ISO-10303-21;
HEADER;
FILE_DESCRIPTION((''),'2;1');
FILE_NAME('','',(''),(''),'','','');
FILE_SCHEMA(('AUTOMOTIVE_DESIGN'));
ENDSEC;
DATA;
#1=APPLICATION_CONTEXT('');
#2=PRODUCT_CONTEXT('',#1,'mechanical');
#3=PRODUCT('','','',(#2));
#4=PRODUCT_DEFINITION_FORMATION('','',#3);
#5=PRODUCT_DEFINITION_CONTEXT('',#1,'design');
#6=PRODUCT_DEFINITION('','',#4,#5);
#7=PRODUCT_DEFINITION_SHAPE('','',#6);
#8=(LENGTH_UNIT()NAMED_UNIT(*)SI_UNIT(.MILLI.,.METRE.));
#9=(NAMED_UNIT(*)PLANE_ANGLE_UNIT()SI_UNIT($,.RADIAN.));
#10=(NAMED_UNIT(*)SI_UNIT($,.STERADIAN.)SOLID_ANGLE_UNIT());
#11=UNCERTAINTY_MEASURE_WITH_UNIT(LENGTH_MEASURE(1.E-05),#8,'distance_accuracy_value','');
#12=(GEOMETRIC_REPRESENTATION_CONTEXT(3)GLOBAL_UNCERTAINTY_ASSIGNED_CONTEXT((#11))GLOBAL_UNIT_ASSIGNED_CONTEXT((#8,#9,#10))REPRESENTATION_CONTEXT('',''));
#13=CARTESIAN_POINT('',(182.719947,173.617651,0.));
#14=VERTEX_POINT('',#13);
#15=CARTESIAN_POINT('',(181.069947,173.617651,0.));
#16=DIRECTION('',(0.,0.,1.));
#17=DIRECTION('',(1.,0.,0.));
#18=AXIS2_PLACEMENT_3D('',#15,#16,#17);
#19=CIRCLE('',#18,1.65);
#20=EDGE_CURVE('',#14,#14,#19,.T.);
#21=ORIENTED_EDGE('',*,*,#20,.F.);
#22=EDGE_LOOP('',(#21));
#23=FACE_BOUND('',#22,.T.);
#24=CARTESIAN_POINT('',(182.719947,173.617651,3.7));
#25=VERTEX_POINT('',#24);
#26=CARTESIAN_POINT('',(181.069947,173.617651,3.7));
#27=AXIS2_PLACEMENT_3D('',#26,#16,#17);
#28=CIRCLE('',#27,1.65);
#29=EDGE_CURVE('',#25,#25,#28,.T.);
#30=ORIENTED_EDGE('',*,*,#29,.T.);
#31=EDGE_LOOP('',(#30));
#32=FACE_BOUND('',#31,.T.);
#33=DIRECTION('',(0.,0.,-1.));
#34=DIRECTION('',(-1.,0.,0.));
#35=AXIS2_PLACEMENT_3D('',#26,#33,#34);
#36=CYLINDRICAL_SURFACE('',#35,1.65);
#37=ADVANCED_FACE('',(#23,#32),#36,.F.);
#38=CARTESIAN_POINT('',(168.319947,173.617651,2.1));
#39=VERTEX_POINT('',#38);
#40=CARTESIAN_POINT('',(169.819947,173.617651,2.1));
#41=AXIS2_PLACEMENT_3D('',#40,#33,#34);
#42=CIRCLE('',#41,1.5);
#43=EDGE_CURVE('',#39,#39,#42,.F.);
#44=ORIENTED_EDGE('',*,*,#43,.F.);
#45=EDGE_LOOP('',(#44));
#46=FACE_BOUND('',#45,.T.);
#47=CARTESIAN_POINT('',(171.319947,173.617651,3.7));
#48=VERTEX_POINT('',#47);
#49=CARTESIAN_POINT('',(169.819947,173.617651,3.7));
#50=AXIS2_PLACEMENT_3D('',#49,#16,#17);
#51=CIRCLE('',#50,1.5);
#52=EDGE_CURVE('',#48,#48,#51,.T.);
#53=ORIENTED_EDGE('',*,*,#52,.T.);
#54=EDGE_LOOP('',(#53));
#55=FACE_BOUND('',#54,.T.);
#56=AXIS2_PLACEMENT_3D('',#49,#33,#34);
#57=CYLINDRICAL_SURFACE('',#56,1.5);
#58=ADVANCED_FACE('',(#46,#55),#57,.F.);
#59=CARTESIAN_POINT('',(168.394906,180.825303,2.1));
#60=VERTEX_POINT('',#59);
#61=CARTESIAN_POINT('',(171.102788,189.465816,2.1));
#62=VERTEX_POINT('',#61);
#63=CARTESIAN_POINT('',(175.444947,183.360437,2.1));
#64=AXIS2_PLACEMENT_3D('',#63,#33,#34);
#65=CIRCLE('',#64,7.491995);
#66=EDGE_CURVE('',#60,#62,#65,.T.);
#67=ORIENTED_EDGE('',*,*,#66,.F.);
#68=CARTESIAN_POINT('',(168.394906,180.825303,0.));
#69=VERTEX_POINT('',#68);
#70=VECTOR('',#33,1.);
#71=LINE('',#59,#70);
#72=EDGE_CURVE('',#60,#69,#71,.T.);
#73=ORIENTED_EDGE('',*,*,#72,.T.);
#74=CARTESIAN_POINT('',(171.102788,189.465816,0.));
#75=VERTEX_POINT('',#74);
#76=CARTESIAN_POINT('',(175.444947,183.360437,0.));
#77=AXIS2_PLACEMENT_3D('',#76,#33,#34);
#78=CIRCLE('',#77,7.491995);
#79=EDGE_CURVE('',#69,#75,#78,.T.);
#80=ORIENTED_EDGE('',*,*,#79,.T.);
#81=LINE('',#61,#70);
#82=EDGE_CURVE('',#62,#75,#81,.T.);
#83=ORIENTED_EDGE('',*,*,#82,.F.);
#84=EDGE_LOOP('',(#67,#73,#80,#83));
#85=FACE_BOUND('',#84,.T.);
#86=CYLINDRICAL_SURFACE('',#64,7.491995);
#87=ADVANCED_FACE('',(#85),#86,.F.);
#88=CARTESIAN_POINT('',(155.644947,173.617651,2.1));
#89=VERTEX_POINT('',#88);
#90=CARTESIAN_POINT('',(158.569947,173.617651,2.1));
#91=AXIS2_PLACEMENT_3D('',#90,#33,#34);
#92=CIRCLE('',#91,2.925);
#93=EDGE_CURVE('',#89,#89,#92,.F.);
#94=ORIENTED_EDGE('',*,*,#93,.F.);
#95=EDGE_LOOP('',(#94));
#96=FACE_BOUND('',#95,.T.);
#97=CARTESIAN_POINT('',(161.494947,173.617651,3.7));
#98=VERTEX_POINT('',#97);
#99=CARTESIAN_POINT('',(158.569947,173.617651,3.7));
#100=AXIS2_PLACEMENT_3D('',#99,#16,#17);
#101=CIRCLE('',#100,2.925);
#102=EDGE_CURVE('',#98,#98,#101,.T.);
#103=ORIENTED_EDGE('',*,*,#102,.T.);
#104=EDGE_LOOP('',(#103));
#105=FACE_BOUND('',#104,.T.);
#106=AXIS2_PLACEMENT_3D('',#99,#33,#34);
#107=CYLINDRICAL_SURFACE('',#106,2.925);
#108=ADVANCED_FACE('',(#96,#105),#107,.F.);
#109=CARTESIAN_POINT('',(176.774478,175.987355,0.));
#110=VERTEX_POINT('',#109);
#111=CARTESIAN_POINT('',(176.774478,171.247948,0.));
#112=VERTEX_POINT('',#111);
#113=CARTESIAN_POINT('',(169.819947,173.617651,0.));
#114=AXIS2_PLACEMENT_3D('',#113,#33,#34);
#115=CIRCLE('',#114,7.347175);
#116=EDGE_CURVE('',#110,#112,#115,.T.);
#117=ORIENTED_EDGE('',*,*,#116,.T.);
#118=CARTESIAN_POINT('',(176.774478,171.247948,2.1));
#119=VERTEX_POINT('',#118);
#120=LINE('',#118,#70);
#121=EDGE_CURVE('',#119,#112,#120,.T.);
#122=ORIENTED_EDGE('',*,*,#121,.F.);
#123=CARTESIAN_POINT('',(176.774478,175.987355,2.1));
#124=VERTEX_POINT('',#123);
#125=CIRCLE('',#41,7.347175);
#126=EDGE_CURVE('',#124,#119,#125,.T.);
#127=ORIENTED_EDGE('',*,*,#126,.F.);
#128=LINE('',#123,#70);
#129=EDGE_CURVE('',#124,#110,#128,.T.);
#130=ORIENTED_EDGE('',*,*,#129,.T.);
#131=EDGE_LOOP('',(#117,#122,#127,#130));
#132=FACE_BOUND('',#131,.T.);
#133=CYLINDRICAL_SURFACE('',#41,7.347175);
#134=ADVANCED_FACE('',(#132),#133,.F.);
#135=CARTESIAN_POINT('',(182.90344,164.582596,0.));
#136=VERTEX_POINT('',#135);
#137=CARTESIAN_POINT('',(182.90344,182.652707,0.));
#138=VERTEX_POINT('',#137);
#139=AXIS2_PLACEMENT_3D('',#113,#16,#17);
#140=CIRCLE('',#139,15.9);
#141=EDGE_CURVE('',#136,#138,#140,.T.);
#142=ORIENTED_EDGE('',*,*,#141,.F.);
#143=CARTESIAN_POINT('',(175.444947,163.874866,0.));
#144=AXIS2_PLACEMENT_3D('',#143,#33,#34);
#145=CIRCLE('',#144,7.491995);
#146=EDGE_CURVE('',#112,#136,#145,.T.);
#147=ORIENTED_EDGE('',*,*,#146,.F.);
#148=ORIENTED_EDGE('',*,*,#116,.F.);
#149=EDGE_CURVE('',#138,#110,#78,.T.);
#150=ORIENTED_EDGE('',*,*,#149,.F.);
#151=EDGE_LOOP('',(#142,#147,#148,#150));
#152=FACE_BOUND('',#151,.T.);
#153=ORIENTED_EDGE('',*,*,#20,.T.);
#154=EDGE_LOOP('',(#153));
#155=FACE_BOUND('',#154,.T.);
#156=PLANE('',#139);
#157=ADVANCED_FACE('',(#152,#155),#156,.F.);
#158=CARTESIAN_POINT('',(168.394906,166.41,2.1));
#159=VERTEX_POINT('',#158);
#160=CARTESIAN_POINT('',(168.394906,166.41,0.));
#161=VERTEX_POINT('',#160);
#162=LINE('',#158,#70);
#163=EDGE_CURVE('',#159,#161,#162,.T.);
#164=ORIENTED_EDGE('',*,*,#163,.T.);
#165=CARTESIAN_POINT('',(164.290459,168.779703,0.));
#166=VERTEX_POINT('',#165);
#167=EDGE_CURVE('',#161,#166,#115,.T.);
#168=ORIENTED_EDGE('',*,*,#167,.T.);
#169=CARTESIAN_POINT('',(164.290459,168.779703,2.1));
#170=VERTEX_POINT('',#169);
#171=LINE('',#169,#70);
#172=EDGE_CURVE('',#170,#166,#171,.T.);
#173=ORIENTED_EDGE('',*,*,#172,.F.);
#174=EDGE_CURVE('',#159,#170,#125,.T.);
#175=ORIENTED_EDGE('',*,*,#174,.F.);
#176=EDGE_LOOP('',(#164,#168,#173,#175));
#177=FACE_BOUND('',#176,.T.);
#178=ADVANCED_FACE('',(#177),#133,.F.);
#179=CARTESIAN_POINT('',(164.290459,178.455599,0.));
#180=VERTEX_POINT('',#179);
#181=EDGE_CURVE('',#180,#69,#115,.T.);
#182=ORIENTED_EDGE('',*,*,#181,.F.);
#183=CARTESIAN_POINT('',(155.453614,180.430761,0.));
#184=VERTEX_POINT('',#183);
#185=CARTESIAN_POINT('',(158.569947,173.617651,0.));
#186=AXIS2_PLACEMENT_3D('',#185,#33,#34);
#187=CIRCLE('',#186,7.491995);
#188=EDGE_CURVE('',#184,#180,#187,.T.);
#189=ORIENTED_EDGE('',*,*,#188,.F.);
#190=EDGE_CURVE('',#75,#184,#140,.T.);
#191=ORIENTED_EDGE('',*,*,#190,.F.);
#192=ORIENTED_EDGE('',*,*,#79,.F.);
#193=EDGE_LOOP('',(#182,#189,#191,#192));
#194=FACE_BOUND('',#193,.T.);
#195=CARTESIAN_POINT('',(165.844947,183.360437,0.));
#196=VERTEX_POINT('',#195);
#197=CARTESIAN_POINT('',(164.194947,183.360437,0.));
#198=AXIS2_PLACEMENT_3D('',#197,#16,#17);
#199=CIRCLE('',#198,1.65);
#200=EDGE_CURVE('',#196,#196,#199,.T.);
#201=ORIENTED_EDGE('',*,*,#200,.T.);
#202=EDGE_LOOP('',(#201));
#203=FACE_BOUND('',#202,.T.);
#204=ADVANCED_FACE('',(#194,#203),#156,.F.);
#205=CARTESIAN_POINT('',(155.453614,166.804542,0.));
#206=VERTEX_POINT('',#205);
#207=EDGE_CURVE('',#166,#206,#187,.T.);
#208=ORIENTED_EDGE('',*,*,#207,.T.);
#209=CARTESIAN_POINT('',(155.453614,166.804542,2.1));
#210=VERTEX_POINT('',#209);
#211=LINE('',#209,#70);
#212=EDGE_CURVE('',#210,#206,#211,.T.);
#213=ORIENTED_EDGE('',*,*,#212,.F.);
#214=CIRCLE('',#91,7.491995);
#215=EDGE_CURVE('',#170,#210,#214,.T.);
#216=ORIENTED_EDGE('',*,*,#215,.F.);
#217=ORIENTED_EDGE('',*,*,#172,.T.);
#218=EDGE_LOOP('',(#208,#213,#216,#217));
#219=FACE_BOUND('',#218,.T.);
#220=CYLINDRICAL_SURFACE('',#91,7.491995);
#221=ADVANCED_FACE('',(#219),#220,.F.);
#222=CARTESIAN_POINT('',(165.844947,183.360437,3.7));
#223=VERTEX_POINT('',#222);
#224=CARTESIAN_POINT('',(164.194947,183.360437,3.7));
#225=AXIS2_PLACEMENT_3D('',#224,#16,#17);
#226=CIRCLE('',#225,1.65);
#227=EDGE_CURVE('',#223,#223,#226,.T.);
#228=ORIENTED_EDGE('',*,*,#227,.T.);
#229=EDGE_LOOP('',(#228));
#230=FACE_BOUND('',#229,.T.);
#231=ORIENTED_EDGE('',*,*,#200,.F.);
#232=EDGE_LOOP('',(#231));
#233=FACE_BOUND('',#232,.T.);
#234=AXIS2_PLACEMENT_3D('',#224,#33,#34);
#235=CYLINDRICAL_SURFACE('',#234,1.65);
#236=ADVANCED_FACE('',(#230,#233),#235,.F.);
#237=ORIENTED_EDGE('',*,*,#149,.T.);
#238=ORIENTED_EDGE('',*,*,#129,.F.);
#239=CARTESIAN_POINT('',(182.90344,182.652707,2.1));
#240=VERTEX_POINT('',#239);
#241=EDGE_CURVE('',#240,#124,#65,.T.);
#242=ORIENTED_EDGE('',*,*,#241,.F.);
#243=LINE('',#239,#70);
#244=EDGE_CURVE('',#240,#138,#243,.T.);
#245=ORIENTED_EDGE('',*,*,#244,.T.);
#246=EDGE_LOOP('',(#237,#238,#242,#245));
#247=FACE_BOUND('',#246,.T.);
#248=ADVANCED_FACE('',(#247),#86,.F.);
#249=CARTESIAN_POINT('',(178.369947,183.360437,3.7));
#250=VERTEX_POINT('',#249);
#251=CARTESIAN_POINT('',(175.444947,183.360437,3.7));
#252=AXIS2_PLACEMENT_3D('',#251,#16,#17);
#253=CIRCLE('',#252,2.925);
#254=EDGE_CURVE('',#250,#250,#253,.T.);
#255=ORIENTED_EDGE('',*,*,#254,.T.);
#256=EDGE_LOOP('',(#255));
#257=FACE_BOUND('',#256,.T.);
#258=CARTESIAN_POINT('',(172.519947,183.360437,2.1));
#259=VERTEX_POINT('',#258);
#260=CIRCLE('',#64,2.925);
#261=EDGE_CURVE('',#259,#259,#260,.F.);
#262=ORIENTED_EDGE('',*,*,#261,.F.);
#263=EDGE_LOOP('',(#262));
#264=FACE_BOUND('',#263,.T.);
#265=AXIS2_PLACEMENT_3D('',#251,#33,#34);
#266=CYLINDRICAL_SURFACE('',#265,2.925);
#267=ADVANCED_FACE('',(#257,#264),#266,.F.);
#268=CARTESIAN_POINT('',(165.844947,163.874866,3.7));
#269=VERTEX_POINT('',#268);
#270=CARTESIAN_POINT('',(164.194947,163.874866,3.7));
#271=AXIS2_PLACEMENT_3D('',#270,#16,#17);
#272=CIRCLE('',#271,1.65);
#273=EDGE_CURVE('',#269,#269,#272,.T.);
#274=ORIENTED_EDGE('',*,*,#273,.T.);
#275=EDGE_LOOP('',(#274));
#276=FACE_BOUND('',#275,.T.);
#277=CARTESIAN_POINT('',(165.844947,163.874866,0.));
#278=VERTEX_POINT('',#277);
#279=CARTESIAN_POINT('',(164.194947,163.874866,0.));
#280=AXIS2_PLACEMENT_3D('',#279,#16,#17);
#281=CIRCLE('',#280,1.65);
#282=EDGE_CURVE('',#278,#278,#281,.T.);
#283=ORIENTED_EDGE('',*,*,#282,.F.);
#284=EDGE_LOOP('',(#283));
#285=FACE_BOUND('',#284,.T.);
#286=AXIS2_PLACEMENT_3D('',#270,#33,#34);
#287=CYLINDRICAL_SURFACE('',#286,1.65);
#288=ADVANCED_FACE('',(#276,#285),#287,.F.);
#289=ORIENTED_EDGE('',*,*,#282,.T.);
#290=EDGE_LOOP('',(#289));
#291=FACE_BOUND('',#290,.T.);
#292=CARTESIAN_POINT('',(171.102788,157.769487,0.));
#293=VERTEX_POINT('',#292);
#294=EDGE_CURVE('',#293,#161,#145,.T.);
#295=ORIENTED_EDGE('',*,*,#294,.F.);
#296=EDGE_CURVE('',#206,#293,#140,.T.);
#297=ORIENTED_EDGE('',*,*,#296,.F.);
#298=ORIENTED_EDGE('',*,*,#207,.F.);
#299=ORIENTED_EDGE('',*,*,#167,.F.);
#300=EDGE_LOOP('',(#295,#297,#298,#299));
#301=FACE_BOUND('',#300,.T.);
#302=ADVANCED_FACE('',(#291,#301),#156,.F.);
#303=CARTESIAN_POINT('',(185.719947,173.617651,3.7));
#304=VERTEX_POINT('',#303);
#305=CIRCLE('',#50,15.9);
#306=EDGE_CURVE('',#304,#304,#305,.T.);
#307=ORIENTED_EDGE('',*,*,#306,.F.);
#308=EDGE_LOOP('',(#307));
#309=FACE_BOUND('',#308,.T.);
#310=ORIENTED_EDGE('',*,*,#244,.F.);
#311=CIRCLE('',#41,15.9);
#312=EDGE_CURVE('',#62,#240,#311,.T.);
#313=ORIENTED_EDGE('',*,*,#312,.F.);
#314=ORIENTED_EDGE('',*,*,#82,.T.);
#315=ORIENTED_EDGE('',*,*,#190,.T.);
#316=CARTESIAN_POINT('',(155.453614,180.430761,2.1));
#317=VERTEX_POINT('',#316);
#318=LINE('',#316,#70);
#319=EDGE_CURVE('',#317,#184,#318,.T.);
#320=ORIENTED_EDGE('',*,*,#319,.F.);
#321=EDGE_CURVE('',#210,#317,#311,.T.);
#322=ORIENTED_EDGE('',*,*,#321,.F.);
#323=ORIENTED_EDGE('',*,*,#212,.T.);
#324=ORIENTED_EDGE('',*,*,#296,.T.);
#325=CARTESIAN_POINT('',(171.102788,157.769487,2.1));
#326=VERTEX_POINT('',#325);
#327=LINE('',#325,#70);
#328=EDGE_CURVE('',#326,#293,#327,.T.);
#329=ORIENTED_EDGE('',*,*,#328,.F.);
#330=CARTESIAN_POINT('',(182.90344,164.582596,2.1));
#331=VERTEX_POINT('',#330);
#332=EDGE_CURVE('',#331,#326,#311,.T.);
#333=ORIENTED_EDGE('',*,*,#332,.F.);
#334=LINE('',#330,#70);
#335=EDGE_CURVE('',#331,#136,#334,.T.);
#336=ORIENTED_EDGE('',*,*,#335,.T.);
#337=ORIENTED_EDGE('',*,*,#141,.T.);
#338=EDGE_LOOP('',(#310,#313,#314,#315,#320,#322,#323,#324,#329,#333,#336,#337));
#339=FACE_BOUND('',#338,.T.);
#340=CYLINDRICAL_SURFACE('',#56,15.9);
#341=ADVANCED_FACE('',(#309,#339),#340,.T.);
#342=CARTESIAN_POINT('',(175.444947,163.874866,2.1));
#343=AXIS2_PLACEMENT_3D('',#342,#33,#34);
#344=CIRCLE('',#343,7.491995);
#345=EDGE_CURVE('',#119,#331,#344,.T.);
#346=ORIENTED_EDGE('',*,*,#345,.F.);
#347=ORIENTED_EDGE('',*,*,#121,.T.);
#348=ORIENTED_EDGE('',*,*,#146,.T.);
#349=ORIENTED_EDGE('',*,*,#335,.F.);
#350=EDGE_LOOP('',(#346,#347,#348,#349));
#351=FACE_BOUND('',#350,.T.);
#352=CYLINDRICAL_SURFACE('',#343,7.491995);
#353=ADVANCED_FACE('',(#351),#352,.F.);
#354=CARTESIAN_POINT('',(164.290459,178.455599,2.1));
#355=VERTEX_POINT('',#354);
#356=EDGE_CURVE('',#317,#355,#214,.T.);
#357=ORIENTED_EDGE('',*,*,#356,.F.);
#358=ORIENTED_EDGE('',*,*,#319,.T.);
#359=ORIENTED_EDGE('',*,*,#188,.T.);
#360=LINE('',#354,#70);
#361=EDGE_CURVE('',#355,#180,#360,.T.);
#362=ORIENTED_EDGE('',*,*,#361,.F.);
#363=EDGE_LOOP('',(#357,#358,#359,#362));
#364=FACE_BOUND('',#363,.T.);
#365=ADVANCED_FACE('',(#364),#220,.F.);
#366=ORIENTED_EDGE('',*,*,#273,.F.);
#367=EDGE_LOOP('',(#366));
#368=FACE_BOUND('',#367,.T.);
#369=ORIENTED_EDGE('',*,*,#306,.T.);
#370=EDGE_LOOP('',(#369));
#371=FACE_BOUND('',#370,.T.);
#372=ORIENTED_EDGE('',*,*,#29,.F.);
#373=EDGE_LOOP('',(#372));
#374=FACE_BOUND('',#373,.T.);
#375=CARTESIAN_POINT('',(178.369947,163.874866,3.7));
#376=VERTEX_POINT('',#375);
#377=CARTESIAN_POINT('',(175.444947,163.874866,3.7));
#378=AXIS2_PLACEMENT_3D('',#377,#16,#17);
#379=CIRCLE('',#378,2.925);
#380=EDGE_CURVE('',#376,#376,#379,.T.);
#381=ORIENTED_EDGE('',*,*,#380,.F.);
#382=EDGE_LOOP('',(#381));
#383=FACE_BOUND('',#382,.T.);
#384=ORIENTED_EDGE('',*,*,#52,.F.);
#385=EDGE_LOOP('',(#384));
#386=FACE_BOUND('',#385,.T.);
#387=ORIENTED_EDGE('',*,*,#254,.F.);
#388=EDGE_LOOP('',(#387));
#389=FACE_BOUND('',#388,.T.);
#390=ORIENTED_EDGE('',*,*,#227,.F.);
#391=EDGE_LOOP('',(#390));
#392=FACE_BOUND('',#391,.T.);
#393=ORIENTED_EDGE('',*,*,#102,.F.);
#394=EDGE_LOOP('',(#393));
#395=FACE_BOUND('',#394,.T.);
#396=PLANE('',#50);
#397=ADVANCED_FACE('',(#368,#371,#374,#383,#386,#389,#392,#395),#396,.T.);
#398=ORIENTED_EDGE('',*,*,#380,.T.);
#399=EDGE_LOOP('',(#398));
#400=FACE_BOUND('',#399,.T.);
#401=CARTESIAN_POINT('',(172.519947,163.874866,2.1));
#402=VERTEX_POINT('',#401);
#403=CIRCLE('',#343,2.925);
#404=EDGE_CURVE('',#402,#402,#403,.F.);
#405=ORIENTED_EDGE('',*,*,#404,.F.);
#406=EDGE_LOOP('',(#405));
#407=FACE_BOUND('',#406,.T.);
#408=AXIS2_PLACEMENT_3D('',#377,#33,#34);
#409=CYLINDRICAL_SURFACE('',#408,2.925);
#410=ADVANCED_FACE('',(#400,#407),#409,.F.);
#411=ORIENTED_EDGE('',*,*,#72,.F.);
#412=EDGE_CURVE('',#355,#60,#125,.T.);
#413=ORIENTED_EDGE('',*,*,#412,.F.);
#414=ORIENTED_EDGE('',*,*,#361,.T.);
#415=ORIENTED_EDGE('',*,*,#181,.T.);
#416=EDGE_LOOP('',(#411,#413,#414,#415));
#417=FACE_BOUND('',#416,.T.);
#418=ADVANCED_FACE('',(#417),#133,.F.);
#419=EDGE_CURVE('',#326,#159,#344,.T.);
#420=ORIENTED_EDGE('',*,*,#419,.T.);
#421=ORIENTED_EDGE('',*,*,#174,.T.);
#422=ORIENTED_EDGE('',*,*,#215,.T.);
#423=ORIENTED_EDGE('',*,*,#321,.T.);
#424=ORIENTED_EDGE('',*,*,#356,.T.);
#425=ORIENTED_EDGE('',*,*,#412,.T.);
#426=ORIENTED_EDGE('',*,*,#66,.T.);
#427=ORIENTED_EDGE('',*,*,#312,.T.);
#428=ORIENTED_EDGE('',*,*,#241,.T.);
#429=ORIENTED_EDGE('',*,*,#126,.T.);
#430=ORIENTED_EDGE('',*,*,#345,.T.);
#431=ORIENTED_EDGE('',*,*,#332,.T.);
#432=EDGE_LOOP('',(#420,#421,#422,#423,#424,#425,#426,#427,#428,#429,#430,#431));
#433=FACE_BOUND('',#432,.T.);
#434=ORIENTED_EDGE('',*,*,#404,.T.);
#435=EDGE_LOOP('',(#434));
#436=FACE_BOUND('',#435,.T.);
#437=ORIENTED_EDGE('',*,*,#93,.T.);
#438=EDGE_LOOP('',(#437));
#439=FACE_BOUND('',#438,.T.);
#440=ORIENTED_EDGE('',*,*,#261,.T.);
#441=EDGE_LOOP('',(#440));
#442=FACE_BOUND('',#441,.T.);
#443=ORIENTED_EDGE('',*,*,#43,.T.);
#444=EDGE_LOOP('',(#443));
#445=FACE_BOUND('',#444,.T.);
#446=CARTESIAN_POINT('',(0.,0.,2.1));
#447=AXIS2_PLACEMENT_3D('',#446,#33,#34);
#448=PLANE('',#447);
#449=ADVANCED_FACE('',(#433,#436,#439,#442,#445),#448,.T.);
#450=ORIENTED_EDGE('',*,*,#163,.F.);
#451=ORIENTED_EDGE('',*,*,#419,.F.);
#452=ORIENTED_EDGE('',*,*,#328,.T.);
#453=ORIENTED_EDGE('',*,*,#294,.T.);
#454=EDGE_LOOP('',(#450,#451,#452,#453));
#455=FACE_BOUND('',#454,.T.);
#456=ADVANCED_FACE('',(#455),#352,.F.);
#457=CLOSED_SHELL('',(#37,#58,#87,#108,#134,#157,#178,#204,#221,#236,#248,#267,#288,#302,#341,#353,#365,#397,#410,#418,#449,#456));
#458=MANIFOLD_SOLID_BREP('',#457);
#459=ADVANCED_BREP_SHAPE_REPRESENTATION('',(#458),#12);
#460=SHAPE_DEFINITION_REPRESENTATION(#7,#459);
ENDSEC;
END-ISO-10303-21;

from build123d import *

# Parameters (mm, degrees)
SKETCH1_R           = 15.9
SKETCH1_R_2         = 1.65
SKETCH1_R_3         = 2.925
SKETCH1_R_4         = 1.5
BOSS_EXTRUDE1_DEPTH = 3.7
SKETCH2_R           = 7.347175161
SKETCH2_R_2         = 7.491995358
CUT_EXTRUDE1_DEPTH  = 2.1


with BuildPart() as part:
    # Sketch1 → Boss-Extrude1 (new body)
    with BuildSketch(Plane.XY):
        with Locations((169.819947444, 173.617651357)):
            Circle(SKETCH1_R)
        with Locations((181.069947444, 173.617651357)):
            Circle(SKETCH1_R_2, mode=Mode.SUBTRACT)
        with Locations((158.569947444, 173.617651357)):
            Circle(SKETCH1_R_3, mode=Mode.SUBTRACT)
        with Locations((164.194947444, 163.874865564)):
            Circle(SKETCH1_R_2, mode=Mode.SUBTRACT)
        with Locations((164.194947444, 183.360437149)):
            Circle(SKETCH1_R_2, mode=Mode.SUBTRACT)
        with Locations((175.444947444, 183.360437149)):
            Circle(SKETCH1_R_3, mode=Mode.SUBTRACT)
        with Locations((175.444947444, 163.874865564)):
            Circle(SKETCH1_R_3, mode=Mode.SUBTRACT)
        with Locations((169.819947444, 173.617651357)):
            Circle(SKETCH1_R_4, mode=Mode.SUBTRACT)
    extrude(amount=BOSS_EXTRUDE1_DEPTH)

    # Sketch2 → Cut-Extrude1 (cut)
    with BuildSketch(Plane(origin=(0, 0, 0), x_dir=(-1, 0, 0), z_dir=(0, 0, -1))):
        with Locations((-169.819947444, 173.617651357)):
            Circle(SKETCH2_R)
        with Locations((-158.569947444, 173.617651357)):
            Circle(SKETCH2_R_2)
        with Locations((-175.444947444, 163.874865564)):
            Circle(SKETCH2_R_2)
        with Locations((-175.444947444, 183.360437149)):
            Circle(SKETCH2_R_2)
    extrude(amount=-CUT_EXTRUDE1_DEPTH, mode=Mode.SUBTRACT)


solid = part.part
